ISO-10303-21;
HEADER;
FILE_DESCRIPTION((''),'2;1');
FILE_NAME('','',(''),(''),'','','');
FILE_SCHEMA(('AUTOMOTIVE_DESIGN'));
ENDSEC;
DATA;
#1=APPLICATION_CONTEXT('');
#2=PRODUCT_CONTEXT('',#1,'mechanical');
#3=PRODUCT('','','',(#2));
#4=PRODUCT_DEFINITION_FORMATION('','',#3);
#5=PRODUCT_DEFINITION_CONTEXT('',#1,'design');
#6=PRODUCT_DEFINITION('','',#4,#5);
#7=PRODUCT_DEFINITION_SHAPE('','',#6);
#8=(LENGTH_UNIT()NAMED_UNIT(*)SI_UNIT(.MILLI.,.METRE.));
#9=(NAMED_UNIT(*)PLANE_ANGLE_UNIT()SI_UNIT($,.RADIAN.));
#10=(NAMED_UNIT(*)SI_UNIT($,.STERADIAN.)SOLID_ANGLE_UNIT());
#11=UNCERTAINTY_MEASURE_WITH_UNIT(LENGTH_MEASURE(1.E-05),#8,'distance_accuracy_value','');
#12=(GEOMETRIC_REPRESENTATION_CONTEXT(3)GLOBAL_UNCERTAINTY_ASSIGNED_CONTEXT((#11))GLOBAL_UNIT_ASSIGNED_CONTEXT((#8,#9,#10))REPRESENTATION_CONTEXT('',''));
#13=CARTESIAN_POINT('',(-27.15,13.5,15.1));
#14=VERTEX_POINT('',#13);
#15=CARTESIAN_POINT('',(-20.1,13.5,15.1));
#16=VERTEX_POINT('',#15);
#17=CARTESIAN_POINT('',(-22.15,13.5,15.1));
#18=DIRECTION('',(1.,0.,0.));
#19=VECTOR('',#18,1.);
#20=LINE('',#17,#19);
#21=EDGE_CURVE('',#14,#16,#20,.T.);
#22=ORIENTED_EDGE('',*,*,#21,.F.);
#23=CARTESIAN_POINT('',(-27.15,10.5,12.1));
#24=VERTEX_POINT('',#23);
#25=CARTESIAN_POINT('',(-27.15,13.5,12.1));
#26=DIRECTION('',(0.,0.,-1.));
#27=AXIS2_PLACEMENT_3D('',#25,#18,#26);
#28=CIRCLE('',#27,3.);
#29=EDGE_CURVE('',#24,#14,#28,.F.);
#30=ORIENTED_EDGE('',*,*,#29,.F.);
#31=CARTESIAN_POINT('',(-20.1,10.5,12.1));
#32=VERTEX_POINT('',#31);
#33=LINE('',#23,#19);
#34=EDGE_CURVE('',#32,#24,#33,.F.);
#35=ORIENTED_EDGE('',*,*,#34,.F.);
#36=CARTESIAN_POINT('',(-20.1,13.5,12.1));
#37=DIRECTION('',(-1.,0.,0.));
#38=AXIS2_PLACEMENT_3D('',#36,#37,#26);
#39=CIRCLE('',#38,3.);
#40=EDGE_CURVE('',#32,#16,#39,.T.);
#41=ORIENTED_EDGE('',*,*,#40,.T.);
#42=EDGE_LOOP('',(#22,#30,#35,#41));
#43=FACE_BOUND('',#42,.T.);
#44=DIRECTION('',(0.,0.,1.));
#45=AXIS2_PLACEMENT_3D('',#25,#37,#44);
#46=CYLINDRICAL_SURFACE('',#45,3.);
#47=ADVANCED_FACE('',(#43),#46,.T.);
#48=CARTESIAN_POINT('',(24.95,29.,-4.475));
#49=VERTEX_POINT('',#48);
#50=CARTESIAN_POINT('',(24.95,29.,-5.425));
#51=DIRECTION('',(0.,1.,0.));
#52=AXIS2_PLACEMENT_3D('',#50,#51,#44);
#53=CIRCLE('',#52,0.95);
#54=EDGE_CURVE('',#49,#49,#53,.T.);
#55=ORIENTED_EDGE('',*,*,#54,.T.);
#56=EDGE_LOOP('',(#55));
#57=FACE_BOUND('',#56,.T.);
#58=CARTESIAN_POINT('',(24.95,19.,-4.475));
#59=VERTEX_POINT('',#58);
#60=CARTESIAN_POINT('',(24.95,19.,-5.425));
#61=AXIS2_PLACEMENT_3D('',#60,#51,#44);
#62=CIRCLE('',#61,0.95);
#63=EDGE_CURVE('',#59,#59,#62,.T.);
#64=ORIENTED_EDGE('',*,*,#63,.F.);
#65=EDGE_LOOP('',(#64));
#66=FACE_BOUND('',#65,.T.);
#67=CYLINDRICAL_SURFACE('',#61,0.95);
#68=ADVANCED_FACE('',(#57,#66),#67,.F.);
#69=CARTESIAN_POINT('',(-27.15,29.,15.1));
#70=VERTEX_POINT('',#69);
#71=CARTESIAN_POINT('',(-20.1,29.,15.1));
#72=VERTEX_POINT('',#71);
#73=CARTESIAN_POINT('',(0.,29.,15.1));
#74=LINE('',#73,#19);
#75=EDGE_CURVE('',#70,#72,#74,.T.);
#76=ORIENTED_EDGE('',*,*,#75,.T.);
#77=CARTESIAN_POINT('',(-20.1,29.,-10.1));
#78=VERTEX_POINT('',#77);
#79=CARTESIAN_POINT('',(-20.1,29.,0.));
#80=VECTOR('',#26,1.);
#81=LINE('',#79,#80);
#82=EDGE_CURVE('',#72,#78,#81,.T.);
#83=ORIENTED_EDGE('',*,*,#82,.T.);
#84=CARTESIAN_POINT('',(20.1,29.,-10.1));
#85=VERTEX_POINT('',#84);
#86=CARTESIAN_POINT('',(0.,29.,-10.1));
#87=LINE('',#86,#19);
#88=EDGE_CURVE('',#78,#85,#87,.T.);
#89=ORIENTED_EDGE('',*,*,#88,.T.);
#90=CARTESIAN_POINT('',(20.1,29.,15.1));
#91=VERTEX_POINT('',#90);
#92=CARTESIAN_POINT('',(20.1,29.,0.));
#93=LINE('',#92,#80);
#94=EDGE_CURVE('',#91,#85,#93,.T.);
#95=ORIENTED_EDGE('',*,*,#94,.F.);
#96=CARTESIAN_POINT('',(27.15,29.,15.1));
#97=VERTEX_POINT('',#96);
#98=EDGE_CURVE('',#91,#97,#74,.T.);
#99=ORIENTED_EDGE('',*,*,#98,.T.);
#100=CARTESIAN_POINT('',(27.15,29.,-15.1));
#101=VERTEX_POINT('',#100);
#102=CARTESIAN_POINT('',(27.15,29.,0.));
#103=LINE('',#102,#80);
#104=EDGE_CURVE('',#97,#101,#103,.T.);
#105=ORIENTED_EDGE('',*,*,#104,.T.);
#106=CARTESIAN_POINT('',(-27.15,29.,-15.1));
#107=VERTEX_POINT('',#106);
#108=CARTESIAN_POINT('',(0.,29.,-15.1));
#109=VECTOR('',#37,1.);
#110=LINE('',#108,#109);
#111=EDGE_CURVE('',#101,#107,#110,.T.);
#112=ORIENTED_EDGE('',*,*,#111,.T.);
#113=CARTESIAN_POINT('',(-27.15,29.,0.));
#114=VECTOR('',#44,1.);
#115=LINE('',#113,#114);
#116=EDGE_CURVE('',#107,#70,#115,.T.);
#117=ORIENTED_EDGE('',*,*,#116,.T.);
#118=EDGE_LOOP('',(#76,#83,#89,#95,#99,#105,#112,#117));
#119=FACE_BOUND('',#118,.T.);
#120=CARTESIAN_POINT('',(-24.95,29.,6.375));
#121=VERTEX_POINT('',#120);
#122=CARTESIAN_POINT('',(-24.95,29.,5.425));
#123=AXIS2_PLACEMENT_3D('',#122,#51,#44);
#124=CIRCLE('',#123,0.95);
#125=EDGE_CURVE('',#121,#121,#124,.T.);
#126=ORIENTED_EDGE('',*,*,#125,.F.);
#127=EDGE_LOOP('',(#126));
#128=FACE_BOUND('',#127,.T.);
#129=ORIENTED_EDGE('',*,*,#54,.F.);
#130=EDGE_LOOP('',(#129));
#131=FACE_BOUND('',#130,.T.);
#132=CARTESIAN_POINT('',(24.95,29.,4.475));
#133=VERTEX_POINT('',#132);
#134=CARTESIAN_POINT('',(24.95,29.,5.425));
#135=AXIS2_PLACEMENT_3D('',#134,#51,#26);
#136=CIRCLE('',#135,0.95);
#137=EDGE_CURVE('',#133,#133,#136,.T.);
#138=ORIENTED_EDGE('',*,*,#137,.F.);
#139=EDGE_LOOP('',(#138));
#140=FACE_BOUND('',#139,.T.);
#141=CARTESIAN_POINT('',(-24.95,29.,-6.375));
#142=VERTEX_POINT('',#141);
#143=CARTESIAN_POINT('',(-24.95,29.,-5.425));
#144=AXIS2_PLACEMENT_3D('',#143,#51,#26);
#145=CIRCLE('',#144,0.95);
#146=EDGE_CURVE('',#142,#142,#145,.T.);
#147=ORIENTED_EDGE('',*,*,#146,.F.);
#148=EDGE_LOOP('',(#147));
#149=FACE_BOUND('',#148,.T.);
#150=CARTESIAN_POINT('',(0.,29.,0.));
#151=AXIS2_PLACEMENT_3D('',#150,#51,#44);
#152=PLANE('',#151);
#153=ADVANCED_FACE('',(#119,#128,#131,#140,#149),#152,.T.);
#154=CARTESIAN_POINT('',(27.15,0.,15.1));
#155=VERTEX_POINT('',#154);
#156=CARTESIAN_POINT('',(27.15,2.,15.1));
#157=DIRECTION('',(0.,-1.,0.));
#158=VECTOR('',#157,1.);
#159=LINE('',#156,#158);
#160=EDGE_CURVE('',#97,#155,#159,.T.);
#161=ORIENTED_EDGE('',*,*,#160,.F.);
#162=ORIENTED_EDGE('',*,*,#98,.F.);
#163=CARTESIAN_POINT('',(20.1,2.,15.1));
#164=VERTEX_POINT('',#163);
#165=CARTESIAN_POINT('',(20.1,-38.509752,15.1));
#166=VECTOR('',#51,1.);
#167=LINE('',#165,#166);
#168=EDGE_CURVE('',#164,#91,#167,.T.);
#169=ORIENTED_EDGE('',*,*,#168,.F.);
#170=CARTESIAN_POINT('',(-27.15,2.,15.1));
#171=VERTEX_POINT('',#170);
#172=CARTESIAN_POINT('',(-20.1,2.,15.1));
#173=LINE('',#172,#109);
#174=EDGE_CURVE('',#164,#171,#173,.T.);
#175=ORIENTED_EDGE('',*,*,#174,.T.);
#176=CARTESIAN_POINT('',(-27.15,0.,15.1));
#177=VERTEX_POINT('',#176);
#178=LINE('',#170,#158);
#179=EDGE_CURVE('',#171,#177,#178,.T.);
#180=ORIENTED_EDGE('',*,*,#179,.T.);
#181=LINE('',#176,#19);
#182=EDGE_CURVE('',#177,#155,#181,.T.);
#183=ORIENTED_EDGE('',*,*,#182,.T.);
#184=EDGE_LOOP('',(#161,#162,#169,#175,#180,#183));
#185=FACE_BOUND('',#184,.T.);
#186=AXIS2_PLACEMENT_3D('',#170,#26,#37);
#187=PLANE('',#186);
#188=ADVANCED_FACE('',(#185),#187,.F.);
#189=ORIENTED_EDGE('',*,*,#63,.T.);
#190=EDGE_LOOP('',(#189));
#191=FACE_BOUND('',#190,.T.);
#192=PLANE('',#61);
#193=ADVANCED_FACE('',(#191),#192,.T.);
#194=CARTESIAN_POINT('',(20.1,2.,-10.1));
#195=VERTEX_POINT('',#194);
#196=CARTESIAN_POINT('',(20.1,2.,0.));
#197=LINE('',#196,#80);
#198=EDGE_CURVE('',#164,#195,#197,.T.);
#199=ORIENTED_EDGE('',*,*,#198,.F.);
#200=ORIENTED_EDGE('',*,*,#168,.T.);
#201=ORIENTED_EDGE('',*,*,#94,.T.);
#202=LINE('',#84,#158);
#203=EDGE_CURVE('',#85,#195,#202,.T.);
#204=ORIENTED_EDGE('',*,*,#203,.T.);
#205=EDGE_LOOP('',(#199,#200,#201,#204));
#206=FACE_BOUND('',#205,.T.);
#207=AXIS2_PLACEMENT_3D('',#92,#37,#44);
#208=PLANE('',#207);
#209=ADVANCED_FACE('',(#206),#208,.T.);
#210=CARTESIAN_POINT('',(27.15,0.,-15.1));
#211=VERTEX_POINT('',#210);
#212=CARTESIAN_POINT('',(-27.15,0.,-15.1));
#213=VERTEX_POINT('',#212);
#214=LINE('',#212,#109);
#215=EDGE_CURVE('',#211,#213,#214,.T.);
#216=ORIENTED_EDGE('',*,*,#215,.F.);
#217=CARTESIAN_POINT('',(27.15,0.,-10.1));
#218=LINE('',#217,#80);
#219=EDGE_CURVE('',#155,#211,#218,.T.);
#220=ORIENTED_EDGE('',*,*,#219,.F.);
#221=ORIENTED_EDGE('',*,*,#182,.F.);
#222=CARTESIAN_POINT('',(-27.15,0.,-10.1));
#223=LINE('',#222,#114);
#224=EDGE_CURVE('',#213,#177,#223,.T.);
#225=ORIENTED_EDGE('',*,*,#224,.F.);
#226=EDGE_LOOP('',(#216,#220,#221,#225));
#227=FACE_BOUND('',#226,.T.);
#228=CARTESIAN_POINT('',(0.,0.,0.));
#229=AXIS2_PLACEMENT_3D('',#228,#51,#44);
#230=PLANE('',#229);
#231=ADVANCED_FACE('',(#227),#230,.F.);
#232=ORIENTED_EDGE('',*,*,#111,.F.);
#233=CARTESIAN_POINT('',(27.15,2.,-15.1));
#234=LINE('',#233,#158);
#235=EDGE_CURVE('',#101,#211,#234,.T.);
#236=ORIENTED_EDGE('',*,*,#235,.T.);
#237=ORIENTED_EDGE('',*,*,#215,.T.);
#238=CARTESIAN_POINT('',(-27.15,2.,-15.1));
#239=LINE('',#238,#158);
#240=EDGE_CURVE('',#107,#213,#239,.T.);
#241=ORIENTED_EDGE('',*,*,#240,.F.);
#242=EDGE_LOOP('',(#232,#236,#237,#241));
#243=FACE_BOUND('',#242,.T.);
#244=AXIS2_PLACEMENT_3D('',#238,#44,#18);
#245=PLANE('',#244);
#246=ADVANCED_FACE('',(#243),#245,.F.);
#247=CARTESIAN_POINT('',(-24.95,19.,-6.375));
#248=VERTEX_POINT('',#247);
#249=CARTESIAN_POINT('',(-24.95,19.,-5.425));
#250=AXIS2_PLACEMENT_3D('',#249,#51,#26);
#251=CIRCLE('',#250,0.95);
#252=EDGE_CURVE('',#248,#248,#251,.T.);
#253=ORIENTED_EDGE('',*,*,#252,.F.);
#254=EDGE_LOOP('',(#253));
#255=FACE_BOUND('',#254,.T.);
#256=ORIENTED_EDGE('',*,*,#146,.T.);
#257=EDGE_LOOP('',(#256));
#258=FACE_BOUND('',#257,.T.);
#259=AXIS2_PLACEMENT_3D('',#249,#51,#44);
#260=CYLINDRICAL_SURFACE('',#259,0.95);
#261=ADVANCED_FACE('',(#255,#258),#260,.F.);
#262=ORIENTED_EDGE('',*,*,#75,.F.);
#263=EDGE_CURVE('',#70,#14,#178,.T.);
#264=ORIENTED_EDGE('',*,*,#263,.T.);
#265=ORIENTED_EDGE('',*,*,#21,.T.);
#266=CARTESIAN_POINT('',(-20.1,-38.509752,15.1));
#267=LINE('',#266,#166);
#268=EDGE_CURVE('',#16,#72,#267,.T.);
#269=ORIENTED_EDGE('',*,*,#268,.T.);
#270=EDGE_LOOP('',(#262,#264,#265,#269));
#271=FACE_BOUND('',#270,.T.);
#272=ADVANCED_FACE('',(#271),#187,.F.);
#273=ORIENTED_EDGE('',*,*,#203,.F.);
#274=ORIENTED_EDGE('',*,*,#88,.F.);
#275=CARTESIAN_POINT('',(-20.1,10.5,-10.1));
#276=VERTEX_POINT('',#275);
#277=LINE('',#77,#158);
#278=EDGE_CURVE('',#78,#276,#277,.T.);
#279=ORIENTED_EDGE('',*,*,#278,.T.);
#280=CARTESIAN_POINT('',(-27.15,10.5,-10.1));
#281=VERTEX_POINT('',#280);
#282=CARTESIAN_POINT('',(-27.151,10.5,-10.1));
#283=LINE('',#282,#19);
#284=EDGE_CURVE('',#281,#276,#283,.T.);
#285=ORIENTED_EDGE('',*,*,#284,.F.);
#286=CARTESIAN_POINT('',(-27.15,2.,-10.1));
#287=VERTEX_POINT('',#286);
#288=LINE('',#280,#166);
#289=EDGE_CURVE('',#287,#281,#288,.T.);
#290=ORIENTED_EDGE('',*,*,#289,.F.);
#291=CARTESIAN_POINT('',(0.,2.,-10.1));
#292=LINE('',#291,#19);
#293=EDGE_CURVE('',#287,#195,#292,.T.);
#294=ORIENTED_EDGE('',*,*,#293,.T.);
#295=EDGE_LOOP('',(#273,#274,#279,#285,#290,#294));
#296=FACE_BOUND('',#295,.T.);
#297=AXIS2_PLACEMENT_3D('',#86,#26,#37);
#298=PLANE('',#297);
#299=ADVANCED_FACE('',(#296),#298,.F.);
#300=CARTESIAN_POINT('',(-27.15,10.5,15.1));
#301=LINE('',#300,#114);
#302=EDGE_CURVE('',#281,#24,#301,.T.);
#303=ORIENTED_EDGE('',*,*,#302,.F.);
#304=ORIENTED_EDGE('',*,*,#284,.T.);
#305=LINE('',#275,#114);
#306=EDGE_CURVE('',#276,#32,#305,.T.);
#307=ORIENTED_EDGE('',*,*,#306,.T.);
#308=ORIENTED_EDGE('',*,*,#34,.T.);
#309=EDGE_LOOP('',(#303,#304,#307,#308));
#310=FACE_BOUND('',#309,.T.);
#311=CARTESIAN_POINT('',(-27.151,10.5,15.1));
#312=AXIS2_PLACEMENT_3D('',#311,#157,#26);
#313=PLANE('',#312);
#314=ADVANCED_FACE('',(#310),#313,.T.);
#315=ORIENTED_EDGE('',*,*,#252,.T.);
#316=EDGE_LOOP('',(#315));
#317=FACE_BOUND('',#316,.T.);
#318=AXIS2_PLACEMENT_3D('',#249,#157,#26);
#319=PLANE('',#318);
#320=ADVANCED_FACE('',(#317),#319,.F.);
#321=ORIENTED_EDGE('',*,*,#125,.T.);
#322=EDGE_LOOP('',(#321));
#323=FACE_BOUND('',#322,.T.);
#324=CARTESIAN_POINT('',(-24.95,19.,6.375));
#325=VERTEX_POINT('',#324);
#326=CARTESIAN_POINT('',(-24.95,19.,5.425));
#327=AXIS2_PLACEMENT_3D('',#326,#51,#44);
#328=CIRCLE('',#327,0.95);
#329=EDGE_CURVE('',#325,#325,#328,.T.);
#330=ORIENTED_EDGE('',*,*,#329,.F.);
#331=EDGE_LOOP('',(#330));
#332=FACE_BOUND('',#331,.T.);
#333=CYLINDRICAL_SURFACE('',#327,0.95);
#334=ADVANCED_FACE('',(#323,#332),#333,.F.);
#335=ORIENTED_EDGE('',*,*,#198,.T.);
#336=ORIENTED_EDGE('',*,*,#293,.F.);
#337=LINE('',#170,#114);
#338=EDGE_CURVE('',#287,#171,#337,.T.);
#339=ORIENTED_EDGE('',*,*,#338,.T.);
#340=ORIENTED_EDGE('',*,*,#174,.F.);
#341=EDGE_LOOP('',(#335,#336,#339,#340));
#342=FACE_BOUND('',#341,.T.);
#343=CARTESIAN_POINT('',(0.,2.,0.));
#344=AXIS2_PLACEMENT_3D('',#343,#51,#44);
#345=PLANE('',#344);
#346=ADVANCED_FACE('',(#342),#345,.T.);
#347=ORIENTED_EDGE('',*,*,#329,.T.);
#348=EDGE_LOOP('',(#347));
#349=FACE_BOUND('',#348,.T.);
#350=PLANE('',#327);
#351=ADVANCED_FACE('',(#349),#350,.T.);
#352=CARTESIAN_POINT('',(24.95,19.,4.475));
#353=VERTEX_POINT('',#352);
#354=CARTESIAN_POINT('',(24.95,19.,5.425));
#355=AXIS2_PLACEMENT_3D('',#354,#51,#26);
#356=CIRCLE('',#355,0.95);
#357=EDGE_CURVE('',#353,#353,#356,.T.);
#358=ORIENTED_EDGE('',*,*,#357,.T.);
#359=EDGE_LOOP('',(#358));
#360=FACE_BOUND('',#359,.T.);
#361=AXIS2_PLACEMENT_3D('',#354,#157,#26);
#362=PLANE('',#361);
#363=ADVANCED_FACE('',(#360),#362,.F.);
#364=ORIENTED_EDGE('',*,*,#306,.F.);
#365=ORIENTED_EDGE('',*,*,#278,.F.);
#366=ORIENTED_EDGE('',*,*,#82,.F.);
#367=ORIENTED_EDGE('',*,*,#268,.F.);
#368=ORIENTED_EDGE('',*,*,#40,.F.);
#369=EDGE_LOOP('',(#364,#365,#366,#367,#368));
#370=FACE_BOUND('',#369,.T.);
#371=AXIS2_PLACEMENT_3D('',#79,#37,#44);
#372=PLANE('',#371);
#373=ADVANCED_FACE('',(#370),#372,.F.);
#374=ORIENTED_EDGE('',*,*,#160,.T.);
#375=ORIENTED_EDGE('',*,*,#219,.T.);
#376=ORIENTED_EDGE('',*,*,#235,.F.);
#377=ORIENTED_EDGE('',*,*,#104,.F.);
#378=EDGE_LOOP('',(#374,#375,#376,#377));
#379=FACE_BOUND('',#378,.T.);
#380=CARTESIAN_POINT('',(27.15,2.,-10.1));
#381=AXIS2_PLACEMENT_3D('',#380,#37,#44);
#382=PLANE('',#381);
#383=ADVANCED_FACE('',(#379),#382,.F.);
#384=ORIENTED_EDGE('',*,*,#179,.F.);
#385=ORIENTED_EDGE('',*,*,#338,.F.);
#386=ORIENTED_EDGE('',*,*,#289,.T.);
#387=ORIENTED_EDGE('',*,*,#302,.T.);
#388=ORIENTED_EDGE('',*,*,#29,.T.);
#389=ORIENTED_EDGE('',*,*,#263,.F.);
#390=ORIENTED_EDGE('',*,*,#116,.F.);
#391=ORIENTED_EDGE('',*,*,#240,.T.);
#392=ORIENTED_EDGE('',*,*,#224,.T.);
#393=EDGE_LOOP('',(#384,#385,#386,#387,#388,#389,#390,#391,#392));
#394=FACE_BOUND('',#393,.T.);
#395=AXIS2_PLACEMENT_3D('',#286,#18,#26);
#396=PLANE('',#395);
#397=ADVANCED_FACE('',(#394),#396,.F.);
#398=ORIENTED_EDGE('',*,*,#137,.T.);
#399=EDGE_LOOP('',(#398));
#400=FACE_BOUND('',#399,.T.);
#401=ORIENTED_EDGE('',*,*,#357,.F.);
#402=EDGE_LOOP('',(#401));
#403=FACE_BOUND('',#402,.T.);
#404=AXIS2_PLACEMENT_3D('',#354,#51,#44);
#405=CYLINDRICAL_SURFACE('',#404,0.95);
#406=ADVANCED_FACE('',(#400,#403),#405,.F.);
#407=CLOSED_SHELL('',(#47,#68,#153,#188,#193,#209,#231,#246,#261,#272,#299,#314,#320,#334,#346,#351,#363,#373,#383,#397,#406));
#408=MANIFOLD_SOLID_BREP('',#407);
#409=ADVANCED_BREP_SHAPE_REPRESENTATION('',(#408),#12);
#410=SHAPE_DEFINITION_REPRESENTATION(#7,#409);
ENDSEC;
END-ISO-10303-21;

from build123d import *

# Parameters (mm, degrees)
BOSS_EXTRUDE1_DEPTH = 2
SKETCH7_W           = 54.3
SKETCH7_H           = 30.2
SKETCH7_W_2         = 40.2
SKETCH7_H_2         = 20.2
BOSS_EXTRUDE3_DEPTH = 27
SKETCH8_W           = 40.2
SKETCH8_H           = 5
CUT_EXTRUDE2_DEPTH  = 27
CUT_EXTRUDE3_REACH  = 61.157
SKETCH9_W           = 25.2
SKETCH9_H           = 8.5
SKETCH10_R          = 0.95
CUT_EXTRUDE4_DEPTH  = 10
FILLET1_R           = 3
CUT_EXTRUDE5_REACH  = 59.459


with BuildPart() as part:
    # Sketch1 → Boss-Extrude1 (new body)
    with BuildSketch(Plane(origin=(0, 0, 0), x_dir=(1, 0, 0), z_dir=(0, 1, 0))):
        Polygon((-27.15, 10.1), (-27.15, -10.1), (-27.15, -15.1), (27.15, -15.1), (27.15, -10.1), (27.15, 10.1), (27.15, 15.1), (-27.15, 15.1), align=None)
    extrude(amount=BOSS_EXTRUDE1_DEPTH)

    # Sketch7 → Boss-Extrude3 (add)
    with BuildSketch(Plane(origin=(0, 2, 0), x_dir=(1, 0, 0), z_dir=(0, 1, 0))):
        Rectangle(SKETCH7_W, SKETCH7_H)
        Rectangle(SKETCH7_W_2, SKETCH7_H_2, mode=Mode.SUBTRACT)
    extrude(amount=BOSS_EXTRUDE3_DEPTH)

    # Sketch8 → Cut-Extrude2 (cut)
    with BuildSketch(Plane(origin=(0, 29, 0), x_dir=(1, 0, 0), z_dir=(0, 1, 0))):
        with Locations((0, -12.6)):
            Rectangle(SKETCH8_W, SKETCH8_H)
    extrude(amount=-CUT_EXTRUDE2_DEPTH, mode=Mode.SUBTRACT)

    # Sketch9 → Cut-Extrude3 (cut, up to next)
    with BuildSketch(Plane(origin=(-22.15, 0, 0), x_dir=(0, 0, -1), z_dir=(1, 0, 0)), mode=Mode.PRIVATE) as cut_extrude3_sk1:
        with Locations((-2.5, 6.25)):
            Rectangle(SKETCH9_W, SKETCH9_H)
    cut_extrude3_tool1 = extrude(cut_extrude3_sk1.sketch, amount=-CUT_EXTRUDE3_REACH, mode=Mode.PRIVATE) & part.part
    add(cut_extrude3_tool1.solids().sort_by_distance((-22.15, 6.25, 2.5))[0], mode=Mode.SUBTRACT)

    # Sketch10 → Cut-Extrude4 (cut)
    with BuildSketch(Plane(origin=(0, 29, 0), x_dir=(1, 0, 0), z_dir=(0, 1, 0))):
        with Locations(Location((-24.95, -5.425, 0), (0, 0, 270))):
            Circle(SKETCH10_R)
        with Locations(Location((-24.95, 5.425, 0), (0, 0, 90))):
            Circle(SKETCH10_R)
        with Locations(Location((24.95, -5.425, 0), (0, 0, 90))):
            Circle(SKETCH10_R)
        with Locations(Location((24.95, 5.425, 0), (0, 0, 270))):
            Circle(SKETCH10_R)
    extrude(amount=-CUT_EXTRUDE4_DEPTH, mode=Mode.SUBTRACT)

    # Fillet1
    fillet1_edges = [part.edges().sort_by_distance(p)[0] for p in [
        (-24.65, 10.5, 15.1),
    ]]
    fillet(fillet1_edges, radius=FILLET1_R)

    # Sketch12 → Cut-Extrude5 (cut, up to next)
    with BuildSketch(Plane(origin=(-20.1, 0, 0), x_dir=(0, 0, -1), z_dir=(1, 0, 0)), mode=Mode.PRIVATE) as cut_extrude5_sk1:
        with BuildLine():
            Line((-15.1, 2), (10.1, 2))
            Line((10.1, 2), (10.1, 10.5))
            Line((10.1, 10.5), (-12.1, 10.5))
            ThreePointArc((-12.1, 10.5), (-14.221320344, 11.378679656), (-15.1, 13.5))
            Line((-15.1, 13.5), (-15.1, 2))
        make_face()
    cut_extrude5_tool1 = extrude(cut_extrude5_sk1.sketch, amount=-CUT_EXTRUDE5_REACH, mode=Mode.PRIVATE) & part.part
    add(cut_extrude5_tool1.solids().sort_by_distance((-20.1, 6.293968, 2.606609))[0], mode=Mode.SUBTRACT)


solid = part.part
